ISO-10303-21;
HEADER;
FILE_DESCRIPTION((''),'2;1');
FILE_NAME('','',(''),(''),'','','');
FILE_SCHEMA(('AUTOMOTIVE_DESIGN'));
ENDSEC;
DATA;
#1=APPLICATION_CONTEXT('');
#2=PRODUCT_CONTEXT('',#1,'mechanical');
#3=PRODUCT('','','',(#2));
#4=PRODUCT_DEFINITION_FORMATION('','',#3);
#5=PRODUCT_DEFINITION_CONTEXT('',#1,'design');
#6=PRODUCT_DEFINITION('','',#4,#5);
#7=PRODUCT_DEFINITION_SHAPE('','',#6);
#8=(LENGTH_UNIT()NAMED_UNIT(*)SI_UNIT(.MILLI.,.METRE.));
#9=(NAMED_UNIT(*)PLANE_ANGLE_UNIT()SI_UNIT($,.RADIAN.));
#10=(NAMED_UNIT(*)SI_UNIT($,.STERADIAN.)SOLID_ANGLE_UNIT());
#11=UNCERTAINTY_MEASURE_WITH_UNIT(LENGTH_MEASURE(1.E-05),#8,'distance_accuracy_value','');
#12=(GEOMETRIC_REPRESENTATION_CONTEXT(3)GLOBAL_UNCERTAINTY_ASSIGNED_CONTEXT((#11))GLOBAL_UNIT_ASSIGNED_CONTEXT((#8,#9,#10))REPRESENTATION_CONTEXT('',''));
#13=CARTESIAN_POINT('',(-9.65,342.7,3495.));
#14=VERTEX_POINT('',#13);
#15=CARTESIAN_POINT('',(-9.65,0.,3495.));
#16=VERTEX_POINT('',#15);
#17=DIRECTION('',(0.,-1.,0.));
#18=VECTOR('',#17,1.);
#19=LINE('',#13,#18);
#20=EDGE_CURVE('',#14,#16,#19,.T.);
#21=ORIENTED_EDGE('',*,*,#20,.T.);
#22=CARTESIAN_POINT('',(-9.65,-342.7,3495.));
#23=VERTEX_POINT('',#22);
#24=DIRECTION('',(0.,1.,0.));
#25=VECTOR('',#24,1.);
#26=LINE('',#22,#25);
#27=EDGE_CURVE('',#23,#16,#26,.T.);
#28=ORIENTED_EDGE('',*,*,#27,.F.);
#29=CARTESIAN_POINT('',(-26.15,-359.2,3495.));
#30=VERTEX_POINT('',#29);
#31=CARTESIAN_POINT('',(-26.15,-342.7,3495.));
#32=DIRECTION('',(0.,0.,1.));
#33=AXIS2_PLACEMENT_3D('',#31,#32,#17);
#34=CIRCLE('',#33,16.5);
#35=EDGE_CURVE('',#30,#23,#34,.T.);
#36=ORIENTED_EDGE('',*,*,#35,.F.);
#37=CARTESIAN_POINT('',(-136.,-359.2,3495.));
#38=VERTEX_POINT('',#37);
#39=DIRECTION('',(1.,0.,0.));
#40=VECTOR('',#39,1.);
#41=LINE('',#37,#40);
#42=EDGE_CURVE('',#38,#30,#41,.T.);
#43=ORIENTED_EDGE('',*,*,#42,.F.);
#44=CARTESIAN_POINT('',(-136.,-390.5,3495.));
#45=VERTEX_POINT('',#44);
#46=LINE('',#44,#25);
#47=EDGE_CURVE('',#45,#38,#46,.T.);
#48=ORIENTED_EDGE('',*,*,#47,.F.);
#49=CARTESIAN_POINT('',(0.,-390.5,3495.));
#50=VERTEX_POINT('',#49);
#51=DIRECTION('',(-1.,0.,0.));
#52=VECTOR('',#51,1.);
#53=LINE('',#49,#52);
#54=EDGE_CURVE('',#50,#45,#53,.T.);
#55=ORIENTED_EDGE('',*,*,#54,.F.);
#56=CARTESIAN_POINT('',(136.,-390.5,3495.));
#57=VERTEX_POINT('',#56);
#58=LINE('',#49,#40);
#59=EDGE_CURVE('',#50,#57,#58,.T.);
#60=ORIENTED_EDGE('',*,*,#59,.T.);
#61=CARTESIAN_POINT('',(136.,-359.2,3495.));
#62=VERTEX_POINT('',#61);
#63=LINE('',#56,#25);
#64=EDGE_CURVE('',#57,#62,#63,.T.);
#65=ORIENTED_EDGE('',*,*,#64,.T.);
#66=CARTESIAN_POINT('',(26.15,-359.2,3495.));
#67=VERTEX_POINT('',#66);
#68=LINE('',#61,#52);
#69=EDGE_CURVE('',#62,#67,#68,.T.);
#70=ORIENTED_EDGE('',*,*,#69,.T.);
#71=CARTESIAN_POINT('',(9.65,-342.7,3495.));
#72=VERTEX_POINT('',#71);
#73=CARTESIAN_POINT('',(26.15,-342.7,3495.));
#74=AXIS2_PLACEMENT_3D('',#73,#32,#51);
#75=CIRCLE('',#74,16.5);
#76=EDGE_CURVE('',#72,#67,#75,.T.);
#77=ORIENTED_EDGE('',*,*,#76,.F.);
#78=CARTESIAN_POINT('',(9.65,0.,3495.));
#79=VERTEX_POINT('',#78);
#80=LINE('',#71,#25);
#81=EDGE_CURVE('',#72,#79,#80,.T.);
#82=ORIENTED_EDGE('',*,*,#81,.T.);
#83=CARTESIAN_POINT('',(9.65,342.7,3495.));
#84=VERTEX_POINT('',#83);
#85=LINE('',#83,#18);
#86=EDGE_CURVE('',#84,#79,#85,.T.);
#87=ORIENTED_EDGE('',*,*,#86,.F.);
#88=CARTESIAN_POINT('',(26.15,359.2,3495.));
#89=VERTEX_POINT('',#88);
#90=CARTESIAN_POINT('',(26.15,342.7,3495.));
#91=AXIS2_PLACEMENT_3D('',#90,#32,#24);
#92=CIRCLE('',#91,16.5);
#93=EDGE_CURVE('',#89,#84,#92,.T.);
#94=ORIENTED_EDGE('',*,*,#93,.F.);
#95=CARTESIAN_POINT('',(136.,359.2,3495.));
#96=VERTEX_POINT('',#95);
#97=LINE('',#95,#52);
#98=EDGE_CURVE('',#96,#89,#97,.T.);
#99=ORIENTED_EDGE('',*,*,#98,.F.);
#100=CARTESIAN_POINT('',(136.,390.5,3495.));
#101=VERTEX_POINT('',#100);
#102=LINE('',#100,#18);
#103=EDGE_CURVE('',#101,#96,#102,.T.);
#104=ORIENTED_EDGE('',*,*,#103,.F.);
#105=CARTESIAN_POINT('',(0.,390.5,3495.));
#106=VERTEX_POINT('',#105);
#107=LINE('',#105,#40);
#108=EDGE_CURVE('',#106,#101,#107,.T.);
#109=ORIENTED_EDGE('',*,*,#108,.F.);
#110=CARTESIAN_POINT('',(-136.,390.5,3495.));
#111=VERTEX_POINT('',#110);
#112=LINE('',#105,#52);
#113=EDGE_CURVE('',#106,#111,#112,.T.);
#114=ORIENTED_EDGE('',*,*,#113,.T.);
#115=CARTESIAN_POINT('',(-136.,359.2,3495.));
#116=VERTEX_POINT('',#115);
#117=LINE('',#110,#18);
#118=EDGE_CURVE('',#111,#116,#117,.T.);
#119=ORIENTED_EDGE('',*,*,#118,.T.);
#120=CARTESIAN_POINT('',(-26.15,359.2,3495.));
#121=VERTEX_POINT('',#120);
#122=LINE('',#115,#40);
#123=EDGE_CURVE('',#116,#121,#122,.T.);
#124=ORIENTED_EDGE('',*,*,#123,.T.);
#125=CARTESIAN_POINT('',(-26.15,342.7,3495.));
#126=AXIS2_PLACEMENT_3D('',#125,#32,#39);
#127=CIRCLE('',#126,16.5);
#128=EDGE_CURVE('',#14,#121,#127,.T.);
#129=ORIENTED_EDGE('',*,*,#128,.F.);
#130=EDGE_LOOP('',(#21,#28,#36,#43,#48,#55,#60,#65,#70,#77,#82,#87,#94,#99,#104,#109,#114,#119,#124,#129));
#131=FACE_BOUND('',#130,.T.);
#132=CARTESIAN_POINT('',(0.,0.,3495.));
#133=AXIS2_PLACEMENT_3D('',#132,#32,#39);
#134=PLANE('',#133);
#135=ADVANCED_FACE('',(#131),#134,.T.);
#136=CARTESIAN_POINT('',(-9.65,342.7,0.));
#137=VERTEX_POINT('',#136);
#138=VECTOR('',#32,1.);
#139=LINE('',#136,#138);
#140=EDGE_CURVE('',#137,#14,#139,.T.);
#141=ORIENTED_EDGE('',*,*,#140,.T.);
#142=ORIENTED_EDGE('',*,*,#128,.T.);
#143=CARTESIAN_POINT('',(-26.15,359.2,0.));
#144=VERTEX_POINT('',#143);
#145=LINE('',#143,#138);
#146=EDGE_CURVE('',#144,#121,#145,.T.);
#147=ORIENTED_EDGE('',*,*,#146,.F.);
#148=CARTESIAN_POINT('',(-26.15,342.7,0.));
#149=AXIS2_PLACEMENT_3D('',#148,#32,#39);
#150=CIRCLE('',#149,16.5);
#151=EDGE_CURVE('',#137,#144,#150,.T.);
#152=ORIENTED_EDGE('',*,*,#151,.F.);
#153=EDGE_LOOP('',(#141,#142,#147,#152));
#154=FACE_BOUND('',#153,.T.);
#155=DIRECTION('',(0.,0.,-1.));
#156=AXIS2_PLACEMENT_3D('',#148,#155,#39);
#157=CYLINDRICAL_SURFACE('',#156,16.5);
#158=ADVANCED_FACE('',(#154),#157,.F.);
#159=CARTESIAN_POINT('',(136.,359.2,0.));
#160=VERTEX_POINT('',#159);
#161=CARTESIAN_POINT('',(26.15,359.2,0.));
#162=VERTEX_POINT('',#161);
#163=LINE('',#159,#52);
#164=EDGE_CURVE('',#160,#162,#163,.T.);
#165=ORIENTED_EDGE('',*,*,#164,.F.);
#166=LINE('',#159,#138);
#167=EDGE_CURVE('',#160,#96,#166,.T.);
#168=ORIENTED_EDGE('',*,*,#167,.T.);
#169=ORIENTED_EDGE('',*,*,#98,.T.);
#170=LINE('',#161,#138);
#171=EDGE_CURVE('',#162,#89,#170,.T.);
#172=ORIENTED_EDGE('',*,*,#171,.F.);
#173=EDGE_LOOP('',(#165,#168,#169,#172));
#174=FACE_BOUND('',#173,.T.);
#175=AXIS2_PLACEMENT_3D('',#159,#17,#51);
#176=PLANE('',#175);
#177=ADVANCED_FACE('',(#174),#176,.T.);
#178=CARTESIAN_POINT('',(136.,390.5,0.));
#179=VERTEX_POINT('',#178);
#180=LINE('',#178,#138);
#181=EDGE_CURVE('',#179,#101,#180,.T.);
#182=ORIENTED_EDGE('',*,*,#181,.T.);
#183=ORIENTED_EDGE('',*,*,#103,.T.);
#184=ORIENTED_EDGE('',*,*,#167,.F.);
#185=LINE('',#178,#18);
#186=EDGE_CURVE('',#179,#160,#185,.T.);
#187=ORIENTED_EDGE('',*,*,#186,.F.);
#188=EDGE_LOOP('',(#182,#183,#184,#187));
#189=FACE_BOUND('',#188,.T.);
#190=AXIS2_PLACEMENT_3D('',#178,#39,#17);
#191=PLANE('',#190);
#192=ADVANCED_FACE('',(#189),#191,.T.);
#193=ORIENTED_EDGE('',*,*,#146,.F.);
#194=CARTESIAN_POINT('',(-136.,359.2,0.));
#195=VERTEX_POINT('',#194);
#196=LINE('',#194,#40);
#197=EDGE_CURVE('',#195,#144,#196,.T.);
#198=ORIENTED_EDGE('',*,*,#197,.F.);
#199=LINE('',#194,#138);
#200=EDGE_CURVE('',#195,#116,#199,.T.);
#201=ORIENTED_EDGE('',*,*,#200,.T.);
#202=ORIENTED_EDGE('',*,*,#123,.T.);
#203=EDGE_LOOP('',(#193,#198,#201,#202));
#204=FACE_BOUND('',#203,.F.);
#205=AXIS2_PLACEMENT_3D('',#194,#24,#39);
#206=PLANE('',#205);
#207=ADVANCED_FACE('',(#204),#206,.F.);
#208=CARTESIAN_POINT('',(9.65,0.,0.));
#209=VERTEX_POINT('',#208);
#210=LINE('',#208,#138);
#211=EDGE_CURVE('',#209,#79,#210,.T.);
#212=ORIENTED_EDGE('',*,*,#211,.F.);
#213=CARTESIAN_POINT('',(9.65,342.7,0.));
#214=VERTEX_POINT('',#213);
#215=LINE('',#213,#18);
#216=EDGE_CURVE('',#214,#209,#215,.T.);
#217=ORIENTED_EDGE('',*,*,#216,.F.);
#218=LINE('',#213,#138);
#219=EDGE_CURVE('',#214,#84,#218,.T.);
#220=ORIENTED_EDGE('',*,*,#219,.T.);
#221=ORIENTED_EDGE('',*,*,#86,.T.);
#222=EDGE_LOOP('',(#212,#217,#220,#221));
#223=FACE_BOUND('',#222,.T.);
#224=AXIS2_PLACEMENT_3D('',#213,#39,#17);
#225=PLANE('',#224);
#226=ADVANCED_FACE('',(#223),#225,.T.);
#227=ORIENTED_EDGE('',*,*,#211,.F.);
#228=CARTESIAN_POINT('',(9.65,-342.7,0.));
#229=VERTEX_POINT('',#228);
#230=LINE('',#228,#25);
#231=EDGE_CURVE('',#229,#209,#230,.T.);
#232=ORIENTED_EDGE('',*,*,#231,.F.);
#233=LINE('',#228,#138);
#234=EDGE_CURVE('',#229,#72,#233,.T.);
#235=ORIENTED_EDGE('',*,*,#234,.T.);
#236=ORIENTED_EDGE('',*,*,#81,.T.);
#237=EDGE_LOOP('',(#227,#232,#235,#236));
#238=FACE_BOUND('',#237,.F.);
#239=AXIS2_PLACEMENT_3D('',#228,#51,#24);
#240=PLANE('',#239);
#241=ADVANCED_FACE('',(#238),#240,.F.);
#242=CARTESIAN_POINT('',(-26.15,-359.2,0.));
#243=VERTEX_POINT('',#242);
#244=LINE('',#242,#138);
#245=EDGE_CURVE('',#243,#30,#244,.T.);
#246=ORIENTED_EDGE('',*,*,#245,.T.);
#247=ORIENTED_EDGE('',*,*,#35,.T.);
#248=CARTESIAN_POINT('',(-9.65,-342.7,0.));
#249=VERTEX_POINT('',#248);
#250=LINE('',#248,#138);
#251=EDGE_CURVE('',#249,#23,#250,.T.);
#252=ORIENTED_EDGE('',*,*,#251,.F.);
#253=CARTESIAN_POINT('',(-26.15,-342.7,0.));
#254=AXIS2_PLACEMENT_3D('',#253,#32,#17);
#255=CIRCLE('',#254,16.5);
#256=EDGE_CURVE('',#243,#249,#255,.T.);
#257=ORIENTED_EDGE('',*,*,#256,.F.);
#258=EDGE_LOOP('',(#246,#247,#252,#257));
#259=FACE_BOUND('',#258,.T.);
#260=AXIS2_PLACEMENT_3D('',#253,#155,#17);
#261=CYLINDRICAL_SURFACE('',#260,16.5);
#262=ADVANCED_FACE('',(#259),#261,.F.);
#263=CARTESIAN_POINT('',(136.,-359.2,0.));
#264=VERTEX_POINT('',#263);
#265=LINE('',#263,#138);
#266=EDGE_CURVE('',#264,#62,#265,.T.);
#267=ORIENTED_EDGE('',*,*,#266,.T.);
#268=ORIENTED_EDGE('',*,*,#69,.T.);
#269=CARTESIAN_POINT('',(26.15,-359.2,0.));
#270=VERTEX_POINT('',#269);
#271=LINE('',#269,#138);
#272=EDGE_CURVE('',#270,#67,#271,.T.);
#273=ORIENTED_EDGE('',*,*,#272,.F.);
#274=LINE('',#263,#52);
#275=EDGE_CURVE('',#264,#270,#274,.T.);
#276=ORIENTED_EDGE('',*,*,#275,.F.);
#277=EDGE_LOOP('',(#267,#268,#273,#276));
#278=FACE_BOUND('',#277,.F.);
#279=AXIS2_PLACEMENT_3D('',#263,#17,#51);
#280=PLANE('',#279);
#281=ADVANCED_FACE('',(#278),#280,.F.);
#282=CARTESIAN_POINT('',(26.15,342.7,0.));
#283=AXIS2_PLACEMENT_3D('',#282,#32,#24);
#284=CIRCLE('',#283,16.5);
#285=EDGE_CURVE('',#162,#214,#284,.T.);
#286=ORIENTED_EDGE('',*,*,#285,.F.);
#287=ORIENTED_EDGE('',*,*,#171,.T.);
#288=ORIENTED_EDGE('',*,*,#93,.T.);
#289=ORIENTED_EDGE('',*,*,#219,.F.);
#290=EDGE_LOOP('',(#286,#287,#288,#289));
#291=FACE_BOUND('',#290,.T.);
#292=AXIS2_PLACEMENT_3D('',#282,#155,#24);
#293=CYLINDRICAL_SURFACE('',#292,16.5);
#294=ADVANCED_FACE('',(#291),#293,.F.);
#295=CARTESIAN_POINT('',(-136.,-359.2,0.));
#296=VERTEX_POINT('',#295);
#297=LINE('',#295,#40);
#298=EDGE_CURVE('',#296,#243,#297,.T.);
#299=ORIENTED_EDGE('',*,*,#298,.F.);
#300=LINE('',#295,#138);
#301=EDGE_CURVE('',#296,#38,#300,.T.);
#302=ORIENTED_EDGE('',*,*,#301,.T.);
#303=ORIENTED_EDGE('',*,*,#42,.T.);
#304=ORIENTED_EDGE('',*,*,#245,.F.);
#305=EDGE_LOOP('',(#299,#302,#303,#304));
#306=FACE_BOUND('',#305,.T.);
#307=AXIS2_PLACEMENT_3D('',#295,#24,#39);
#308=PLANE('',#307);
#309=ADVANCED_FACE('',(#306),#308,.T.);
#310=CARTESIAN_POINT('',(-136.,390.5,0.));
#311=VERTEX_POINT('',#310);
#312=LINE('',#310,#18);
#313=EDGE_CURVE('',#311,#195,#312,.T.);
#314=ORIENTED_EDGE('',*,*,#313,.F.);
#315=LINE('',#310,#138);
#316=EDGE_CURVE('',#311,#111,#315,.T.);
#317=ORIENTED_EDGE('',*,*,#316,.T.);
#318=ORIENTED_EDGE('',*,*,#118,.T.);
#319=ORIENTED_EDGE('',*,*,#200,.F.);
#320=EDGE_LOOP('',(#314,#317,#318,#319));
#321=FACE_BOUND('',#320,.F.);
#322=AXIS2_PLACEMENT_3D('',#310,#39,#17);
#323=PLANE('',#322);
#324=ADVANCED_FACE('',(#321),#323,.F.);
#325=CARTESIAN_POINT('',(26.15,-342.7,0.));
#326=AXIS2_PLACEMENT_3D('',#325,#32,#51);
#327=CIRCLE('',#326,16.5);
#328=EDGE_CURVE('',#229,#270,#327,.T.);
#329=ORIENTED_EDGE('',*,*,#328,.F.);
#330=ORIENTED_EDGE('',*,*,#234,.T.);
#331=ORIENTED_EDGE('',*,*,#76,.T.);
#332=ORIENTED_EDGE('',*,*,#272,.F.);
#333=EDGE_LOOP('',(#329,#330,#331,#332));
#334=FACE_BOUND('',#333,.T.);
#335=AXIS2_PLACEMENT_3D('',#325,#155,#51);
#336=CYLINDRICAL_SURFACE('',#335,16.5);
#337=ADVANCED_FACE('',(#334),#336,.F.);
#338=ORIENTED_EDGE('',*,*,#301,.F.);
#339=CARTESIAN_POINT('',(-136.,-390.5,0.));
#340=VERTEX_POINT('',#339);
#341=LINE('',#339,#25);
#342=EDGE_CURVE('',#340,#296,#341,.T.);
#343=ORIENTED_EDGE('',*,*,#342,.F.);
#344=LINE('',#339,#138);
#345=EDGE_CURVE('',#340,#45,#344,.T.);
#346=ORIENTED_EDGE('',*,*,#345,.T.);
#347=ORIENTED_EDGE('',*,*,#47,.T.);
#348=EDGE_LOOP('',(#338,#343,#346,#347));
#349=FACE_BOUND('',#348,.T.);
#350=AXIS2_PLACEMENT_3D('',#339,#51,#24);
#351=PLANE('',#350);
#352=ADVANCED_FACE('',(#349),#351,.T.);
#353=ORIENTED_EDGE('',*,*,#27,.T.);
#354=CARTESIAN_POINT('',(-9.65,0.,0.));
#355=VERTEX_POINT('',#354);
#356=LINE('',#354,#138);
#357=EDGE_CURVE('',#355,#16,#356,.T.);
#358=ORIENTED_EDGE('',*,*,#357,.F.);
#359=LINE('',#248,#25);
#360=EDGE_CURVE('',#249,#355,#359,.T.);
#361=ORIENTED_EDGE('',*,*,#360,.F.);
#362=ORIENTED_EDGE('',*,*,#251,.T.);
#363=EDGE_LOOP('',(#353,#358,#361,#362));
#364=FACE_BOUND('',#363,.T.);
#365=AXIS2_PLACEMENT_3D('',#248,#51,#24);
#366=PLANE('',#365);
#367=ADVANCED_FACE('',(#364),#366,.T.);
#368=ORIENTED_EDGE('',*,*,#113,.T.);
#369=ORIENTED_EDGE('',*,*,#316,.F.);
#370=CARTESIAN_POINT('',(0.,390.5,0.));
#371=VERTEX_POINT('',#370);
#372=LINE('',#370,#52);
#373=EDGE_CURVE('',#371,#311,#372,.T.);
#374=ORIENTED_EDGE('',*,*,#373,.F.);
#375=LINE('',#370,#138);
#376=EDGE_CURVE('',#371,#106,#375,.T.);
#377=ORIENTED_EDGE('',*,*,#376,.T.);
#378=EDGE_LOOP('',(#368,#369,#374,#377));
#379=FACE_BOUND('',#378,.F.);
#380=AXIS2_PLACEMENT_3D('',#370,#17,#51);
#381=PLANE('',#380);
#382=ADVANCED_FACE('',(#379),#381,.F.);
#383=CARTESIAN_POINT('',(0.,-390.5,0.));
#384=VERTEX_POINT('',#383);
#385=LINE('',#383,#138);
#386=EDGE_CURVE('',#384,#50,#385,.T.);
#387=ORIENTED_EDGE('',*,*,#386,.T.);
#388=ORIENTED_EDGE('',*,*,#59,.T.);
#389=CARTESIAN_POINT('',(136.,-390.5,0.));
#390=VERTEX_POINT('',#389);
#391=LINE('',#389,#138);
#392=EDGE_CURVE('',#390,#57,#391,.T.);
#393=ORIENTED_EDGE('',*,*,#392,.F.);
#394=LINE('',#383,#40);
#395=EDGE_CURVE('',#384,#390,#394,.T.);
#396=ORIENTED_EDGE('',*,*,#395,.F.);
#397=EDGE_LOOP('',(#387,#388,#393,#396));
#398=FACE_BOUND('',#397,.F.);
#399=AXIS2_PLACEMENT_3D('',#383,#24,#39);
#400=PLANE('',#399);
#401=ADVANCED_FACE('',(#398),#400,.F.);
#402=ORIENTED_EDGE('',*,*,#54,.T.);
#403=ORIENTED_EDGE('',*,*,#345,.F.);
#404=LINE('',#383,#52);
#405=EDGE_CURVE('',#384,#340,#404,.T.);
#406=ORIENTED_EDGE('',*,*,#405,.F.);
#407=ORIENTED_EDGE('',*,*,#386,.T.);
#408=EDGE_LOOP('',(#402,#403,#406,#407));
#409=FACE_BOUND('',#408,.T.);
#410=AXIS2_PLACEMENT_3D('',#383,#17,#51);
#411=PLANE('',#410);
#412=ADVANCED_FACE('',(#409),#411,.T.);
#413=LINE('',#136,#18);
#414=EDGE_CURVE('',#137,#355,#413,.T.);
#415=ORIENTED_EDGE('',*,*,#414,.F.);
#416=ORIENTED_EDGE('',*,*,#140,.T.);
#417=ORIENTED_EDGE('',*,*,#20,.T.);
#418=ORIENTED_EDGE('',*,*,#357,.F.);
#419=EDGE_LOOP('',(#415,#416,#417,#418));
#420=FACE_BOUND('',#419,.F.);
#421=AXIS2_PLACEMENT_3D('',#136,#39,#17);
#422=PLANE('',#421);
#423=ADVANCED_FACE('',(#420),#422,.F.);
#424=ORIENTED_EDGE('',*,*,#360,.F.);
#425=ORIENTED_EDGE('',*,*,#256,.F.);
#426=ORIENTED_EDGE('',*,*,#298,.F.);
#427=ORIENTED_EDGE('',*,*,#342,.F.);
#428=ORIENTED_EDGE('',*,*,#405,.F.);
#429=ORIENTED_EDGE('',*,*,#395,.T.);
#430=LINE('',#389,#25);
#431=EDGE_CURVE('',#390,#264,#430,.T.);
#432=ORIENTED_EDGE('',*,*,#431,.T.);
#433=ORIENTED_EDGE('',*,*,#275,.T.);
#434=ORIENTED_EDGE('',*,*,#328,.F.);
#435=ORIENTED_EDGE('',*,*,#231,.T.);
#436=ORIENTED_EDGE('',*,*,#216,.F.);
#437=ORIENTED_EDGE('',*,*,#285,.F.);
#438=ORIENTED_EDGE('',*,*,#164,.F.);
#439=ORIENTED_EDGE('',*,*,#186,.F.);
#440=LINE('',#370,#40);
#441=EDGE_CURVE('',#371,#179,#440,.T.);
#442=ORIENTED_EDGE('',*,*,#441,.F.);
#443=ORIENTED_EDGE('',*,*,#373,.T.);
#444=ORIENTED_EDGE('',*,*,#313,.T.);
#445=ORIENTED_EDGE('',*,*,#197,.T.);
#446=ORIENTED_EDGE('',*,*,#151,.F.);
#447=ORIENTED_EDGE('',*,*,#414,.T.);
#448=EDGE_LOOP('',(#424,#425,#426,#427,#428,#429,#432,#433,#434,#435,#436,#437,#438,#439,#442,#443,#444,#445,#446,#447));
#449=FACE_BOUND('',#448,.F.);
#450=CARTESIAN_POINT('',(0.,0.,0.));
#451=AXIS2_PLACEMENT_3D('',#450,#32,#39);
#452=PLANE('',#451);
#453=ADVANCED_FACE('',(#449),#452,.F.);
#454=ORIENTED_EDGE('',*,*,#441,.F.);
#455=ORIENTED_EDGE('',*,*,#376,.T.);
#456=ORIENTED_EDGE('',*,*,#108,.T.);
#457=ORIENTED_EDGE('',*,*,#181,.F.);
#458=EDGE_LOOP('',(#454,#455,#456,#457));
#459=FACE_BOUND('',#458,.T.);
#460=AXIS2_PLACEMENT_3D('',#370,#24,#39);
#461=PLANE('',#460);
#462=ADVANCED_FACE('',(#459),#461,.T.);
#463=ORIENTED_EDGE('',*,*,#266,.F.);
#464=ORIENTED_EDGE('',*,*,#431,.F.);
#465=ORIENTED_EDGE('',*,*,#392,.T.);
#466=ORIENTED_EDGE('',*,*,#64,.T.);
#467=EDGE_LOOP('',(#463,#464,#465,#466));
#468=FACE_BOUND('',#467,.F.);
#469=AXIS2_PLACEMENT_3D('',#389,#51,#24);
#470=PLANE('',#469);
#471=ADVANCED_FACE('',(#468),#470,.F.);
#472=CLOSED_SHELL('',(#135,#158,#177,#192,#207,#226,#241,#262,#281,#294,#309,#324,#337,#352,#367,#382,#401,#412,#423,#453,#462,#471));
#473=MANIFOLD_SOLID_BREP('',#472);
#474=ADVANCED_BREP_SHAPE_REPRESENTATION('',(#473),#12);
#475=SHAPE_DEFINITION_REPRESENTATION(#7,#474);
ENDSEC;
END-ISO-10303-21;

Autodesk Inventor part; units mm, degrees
ref_plane "YZ Plane" through (0, 0, 0) normal (1, 0, 0) x (0, 1, 0)
ref_plane "Start plane" through (0, 0, 0) normal (0, 0, 1) x (1, 0, 0)
ref_plane "End plane" through (0, 0, 3495) normal (0, 0, 1) x (1, 0, 0)
sketch "Sketch" plane through (0, 0, 0) normal (0, 0, 1) x (1, 0, 0)
  line L0 (-136, -390.5) -> (-136, -359.2)
  line L1 (-136, -359.2) -> (-26.15, -359.2)
  line L2 (-9.65, -342.7) -> (-9.65, 0)
  line L3 (-9.65, 0) -> (0, 0) construction
  line L4 (0, 0) -> (0, -390.5) construction
  line L5 (0, -390.5) -> (-136, -390.5)
  line L6 (-60, 0) -> (80, 0) construction
  line L7 (0, -60) -> (0, 80) construction
  line L8 (136, -390.5) -> (136, -359.2)
  line L9 (136, -359.2) -> (26.15, -359.2)
  line L10 (9.65, -342.7) -> (9.65, 0)
  line L11 (9.65, 0) -> (0, 0) construction
  line L12 (0, -390.5) -> (136, -390.5)
  line L13 (-136, 390.5) -> (-136, 359.2)
  line L14 (-136, 359.2) -> (-26.15, 359.2)
  line L15 (-9.65, 342.7) -> (-9.65, 0)
  line L16 (0, 390.5) -> (-136, 390.5)
  line L17 (136, 390.5) -> (136, 359.2)
  line L18 (136, 359.2) -> (26.15, 359.2)
  line L19 (0, 390.5) -> (136, 390.5)
  line L20 (9.65, 342.7) -> (9.65, 0)
  arc A0 (-9.65, 342.7) -> (-26.15, 359.2) centre (-26.15, 342.7) ccw
  arc A1 (26.15, 359.2) -> (9.65, 342.7) centre (26.15, 342.7) ccw
  arc A2 (9.65, -342.7) -> (26.15, -359.2) centre (26.15, -342.7) ccw
  arc A3 (-26.15, -359.2) -> (-9.65, -342.7) centre (-26.15, -342.7) ccw
  line L21 (0, 108) -> (0, -88) construction
  line L22 (-88, 0) -> (108, 0) construction
  point P0 (-9.65, -359.2)
  point P1 (9.65, -359.2)
  point P2 (-9.65, 359.2)
  point P3 (9.65, 359.2)
  dimension "d1" = 390.5
  dimension "d2" = 31.3
  dimension "d3" = 136
  dimension "d4" = 9.65
  dimension "d10" = 16.5
extrude "Body" add sketch "Sketch" along normal up to surface (3495 mm away) from surface at 0
sketch "Sketch4" plane through (0, 0, 0) normal (0, 0, 1) x (1, 0, 0)
  line L0 (0, 0) -> (10, 0)
ref_plane "Work Plane3" through (0, 0, 0) normal (0, -1, 0) x (1, 0, 0)
sketch "Sketch5" plane through (0, 0, 0) normal (0, -1, 0) x (1, 0, 0)
  line L0 (-2, 0) -> (12, 0) projected
  line L1 (-2, 3495) -> (12, 3495) projected
  dimension "d14" = 3495
equation "\"d1\" = 0.5 * G_H"
equation "\"d2\" = G_T1"
equation "\"d3\" = 0.5 * G_W"
equation "\"d4\" = 0.5 * G_T"
equation "\"d10\" = G_IR"
equation "\"d5\" = G_L"
equation "\"G_W\" = 272"
equation "\"G_H\" = 781"
equation "\"G_T\" = 19.3"
equation "\"G_T1\" = 31.3"
equation "\"G_IR\" = 16.5"
equation "\"G_L\" = d14"
equation "\"G_OFFSET_START\" = 0"
equation "\"G_OFFSET_END\" = 0"
equation "\"d12\" = G_OFFSET_END + B_L"
equation "\"B_L\" = 3495"
properties part number "AS 3679-1990 - 760 UB - 244 - 3495" material "Steel, Mild"
